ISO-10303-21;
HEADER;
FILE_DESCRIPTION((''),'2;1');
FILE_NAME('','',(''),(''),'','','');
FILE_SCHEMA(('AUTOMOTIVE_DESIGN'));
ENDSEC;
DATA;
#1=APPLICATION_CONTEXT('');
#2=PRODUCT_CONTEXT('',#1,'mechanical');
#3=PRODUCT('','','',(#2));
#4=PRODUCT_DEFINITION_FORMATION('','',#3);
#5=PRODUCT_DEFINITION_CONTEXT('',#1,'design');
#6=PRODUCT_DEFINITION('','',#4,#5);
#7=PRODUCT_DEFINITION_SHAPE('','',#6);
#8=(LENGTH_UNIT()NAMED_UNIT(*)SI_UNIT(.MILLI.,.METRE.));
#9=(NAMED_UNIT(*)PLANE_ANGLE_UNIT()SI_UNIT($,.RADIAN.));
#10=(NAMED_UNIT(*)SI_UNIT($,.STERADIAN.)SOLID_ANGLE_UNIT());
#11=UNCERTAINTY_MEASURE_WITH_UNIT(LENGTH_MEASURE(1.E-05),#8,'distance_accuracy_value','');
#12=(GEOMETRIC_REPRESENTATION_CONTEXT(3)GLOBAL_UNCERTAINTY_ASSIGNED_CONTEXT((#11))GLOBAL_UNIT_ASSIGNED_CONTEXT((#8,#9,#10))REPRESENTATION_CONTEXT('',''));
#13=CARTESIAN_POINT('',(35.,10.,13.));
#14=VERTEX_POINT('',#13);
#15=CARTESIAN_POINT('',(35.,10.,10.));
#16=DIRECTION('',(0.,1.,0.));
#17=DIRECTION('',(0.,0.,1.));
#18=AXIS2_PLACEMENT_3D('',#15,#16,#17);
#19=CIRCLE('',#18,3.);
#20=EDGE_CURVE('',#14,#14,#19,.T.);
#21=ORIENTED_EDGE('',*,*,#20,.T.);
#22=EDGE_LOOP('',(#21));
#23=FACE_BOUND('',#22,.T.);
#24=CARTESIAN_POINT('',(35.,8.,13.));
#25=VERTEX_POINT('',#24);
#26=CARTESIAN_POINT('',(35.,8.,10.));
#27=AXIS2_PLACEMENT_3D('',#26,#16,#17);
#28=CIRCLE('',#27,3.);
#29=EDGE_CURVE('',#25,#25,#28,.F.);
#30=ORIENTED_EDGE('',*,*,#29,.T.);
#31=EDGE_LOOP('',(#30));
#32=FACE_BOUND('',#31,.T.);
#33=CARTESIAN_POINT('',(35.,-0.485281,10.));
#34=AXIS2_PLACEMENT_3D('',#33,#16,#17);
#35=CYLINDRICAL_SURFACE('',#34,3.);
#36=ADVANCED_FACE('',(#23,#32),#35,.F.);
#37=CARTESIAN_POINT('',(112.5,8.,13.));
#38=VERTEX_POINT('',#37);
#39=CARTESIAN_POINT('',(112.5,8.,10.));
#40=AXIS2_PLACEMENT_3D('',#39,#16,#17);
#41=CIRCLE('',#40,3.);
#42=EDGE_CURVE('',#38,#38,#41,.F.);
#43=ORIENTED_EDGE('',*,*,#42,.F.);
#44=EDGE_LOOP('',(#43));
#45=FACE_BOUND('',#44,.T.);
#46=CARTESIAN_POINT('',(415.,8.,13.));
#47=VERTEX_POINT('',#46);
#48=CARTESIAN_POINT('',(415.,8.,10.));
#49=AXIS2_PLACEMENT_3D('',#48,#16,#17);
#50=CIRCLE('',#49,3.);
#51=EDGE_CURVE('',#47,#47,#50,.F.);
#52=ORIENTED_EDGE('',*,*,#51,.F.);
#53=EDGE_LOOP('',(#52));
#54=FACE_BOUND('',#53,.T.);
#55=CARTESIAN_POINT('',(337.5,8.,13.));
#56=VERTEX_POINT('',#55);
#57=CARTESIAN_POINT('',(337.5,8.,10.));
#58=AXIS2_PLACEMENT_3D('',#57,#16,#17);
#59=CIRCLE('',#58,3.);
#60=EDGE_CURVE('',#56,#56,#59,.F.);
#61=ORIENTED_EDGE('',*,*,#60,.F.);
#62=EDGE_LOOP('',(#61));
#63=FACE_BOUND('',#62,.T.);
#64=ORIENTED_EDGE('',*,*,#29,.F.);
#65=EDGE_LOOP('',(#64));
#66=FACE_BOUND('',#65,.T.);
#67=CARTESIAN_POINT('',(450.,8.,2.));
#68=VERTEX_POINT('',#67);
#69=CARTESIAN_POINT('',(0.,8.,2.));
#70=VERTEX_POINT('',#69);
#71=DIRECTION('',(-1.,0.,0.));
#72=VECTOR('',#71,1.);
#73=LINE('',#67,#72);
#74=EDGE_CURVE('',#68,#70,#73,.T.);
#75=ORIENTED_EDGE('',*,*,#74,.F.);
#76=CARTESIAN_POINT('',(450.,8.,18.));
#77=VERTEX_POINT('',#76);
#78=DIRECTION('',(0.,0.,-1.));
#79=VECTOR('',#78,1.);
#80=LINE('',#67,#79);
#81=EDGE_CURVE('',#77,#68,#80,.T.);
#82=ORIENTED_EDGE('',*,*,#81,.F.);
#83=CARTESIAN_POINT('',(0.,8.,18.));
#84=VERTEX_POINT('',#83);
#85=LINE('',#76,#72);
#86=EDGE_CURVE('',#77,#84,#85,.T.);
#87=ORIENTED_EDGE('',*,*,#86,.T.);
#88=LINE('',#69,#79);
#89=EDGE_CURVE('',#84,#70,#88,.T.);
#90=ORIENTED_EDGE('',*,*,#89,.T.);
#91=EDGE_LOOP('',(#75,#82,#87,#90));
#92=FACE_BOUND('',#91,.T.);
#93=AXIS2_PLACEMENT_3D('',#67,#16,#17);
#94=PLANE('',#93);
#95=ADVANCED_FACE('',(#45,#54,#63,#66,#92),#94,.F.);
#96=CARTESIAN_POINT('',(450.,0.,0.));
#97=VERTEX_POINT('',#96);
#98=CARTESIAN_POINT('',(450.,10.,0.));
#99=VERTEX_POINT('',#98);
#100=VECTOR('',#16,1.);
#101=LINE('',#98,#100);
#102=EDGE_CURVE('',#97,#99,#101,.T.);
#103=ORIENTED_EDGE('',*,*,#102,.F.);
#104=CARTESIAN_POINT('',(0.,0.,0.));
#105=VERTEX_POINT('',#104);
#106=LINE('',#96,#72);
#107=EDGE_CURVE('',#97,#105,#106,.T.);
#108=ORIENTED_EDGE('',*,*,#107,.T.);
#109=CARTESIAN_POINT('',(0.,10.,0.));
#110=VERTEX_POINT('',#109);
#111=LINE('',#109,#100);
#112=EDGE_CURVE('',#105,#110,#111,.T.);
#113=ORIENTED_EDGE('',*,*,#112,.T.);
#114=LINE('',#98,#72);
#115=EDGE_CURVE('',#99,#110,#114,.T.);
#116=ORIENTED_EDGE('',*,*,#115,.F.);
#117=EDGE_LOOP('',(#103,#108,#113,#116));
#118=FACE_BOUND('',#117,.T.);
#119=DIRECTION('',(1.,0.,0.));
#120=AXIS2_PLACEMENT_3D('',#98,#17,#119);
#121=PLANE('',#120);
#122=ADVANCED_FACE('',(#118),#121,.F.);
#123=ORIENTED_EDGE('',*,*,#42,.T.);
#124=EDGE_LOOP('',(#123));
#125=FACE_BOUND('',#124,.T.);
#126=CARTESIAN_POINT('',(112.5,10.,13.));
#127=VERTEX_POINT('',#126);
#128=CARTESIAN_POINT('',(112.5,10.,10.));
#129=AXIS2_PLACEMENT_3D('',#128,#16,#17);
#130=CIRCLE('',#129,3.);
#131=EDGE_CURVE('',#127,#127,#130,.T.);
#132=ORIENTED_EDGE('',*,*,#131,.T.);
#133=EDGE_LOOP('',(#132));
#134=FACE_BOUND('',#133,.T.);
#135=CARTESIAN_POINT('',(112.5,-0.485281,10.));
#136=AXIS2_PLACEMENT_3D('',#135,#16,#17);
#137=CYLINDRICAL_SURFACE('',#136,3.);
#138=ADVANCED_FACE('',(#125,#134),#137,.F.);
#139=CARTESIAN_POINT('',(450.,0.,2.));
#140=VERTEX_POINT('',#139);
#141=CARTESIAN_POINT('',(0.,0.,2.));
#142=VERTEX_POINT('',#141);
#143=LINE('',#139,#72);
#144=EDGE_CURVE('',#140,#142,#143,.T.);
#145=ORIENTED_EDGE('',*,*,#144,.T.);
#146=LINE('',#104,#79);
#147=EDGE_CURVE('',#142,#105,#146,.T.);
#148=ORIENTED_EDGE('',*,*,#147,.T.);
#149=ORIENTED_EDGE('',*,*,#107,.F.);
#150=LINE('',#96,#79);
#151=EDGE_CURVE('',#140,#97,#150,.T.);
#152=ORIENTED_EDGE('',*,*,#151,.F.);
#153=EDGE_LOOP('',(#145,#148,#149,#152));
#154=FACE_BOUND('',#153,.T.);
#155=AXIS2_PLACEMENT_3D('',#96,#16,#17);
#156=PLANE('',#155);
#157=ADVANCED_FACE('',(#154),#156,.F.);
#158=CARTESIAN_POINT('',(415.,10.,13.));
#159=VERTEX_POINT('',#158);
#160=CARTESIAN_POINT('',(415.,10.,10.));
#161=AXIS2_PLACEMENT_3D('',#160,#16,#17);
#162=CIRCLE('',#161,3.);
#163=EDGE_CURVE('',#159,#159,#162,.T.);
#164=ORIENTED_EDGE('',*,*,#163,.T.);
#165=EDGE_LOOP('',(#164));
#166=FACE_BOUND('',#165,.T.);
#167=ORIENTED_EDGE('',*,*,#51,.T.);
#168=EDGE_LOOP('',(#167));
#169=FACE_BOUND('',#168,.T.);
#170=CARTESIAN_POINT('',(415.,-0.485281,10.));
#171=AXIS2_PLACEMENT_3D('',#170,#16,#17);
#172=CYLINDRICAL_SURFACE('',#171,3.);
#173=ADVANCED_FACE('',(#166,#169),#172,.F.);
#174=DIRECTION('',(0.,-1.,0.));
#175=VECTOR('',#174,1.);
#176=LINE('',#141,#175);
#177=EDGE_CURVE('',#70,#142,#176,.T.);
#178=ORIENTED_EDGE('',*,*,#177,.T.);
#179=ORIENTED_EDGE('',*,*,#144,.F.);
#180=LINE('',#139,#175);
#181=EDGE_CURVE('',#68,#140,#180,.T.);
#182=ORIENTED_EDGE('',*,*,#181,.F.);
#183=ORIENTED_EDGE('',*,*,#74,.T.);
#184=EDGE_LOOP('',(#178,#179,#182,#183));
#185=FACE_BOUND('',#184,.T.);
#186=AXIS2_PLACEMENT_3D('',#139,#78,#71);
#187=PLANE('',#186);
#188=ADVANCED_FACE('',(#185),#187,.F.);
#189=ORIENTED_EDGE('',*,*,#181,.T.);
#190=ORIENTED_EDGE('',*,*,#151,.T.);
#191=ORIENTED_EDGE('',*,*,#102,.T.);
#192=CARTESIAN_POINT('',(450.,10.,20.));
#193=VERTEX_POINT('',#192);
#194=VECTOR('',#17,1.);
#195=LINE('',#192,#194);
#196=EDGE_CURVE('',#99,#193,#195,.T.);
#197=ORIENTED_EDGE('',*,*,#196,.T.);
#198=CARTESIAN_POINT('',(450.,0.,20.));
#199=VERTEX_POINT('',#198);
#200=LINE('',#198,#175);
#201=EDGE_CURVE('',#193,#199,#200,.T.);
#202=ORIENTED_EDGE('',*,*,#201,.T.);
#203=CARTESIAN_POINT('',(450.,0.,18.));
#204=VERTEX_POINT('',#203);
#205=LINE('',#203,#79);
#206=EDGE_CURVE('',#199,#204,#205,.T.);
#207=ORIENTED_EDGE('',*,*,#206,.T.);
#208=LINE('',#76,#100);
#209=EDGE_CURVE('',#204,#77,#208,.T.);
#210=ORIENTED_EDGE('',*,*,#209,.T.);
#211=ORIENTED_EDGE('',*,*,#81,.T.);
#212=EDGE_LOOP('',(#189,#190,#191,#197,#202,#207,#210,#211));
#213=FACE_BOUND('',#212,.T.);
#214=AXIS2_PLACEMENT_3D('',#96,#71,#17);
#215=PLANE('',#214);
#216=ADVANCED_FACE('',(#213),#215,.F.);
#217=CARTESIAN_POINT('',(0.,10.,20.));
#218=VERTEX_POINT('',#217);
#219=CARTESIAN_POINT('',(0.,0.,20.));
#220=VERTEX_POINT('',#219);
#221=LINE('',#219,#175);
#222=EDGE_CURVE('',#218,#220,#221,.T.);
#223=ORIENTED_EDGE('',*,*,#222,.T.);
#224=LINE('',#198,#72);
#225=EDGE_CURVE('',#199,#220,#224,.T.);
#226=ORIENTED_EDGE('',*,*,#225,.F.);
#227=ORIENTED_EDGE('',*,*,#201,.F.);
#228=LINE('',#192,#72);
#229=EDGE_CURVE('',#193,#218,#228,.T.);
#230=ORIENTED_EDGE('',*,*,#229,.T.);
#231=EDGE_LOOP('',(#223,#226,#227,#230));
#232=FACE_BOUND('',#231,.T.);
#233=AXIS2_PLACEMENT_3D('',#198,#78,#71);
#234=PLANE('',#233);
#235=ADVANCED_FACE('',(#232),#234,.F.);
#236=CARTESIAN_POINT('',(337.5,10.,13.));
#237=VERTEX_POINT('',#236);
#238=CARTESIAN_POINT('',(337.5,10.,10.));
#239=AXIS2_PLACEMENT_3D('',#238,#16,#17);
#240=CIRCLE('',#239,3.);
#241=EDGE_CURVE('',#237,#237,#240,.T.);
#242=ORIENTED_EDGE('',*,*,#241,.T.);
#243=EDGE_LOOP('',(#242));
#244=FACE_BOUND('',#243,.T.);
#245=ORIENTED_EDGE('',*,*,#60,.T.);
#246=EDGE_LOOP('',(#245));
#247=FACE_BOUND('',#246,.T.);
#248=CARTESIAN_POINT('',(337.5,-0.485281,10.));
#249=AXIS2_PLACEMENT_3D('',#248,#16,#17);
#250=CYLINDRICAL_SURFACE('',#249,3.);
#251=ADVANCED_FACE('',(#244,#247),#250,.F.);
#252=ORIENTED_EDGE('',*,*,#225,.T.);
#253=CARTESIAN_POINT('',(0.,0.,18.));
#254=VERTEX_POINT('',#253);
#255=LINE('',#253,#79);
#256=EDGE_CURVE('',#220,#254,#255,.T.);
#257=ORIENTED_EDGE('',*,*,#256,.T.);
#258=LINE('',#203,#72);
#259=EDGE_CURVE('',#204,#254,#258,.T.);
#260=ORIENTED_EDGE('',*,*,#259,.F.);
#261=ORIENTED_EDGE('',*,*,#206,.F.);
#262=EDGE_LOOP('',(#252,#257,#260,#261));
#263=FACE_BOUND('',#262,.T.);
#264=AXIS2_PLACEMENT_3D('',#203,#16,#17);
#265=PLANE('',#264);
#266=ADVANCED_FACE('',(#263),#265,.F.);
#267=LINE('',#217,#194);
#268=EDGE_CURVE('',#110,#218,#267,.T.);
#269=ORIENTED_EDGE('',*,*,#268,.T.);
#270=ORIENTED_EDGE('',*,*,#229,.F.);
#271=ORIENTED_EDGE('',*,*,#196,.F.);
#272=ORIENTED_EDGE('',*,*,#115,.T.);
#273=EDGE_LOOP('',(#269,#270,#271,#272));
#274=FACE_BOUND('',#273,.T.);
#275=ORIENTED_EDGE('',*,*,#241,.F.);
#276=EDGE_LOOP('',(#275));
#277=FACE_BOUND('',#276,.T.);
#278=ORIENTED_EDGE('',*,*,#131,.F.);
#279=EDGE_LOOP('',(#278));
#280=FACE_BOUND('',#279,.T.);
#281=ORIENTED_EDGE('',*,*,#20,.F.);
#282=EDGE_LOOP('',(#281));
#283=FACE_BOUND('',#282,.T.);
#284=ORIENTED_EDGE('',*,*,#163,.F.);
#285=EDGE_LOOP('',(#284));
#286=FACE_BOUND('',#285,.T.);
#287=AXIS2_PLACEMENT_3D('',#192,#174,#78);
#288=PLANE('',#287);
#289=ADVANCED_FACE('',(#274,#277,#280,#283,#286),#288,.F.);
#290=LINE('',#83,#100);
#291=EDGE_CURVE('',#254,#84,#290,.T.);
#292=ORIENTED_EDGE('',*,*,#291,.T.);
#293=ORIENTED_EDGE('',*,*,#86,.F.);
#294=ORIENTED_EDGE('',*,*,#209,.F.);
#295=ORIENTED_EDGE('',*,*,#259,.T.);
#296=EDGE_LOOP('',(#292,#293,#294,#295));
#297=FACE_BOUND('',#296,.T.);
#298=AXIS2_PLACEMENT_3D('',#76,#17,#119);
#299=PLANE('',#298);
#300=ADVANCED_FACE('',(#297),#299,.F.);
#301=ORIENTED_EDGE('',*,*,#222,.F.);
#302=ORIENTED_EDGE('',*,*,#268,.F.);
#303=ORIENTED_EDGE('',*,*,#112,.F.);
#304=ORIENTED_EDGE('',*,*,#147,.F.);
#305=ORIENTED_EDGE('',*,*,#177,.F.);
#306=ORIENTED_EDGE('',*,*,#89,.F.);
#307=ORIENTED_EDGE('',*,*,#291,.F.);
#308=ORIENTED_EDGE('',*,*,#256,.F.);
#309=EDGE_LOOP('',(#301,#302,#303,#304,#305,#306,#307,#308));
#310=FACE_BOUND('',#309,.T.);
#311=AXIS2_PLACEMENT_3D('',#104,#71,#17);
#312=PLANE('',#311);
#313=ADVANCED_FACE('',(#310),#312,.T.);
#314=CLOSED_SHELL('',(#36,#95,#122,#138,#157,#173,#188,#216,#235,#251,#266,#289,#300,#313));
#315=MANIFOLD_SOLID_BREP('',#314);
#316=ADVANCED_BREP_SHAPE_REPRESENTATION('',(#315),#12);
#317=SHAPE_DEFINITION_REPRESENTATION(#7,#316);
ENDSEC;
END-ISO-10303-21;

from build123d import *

# Parameters (mm, degrees)
EXTRUDE_1_DEPTH     = 450
SKETCH_2_R          = 3
CUT_EXTRUDE_1_DEPTH = 2


with BuildPart() as part:
    # Эскиз1 → Бобышка-Вытянуть1 (new body)
    with BuildSketch(Plane(origin=(0, 0, 0), x_dir=(0, 0, -1), z_dir=(1, 0, 0))):
        Polygon((-20, 0), (-20, 10), (0, 10), (0, 0), (-2, 0), (-2, 8), (-18, 8), (-18, 0), align=None)
    extrude(amount=EXTRUDE_1_DEPTH)

    # Эскиз2 → Вырез-Вытянуть1 (cut)
    with BuildSketch(Plane(origin=(0, 10, 0), x_dir=(1, 0, 0), z_dir=(0, 1, 0))):
        with Locations(Location((415, -10, 0), (0, 0, 270))):
            Circle(SKETCH_2_R)
        with Locations(Location((337.5, -10, 0), (0, 0, 270))):
            Circle(SKETCH_2_R)
        with Locations(Location((35, -10, 0), (0, 0, 270))):
            Circle(SKETCH_2_R)
        with Locations(Location((112.5, -10, 0), (0, 0, 270))):
            Circle(SKETCH_2_R)
    extrude(amount=-CUT_EXTRUDE_1_DEPTH, mode=Mode.SUBTRACT)


solid = part.part
